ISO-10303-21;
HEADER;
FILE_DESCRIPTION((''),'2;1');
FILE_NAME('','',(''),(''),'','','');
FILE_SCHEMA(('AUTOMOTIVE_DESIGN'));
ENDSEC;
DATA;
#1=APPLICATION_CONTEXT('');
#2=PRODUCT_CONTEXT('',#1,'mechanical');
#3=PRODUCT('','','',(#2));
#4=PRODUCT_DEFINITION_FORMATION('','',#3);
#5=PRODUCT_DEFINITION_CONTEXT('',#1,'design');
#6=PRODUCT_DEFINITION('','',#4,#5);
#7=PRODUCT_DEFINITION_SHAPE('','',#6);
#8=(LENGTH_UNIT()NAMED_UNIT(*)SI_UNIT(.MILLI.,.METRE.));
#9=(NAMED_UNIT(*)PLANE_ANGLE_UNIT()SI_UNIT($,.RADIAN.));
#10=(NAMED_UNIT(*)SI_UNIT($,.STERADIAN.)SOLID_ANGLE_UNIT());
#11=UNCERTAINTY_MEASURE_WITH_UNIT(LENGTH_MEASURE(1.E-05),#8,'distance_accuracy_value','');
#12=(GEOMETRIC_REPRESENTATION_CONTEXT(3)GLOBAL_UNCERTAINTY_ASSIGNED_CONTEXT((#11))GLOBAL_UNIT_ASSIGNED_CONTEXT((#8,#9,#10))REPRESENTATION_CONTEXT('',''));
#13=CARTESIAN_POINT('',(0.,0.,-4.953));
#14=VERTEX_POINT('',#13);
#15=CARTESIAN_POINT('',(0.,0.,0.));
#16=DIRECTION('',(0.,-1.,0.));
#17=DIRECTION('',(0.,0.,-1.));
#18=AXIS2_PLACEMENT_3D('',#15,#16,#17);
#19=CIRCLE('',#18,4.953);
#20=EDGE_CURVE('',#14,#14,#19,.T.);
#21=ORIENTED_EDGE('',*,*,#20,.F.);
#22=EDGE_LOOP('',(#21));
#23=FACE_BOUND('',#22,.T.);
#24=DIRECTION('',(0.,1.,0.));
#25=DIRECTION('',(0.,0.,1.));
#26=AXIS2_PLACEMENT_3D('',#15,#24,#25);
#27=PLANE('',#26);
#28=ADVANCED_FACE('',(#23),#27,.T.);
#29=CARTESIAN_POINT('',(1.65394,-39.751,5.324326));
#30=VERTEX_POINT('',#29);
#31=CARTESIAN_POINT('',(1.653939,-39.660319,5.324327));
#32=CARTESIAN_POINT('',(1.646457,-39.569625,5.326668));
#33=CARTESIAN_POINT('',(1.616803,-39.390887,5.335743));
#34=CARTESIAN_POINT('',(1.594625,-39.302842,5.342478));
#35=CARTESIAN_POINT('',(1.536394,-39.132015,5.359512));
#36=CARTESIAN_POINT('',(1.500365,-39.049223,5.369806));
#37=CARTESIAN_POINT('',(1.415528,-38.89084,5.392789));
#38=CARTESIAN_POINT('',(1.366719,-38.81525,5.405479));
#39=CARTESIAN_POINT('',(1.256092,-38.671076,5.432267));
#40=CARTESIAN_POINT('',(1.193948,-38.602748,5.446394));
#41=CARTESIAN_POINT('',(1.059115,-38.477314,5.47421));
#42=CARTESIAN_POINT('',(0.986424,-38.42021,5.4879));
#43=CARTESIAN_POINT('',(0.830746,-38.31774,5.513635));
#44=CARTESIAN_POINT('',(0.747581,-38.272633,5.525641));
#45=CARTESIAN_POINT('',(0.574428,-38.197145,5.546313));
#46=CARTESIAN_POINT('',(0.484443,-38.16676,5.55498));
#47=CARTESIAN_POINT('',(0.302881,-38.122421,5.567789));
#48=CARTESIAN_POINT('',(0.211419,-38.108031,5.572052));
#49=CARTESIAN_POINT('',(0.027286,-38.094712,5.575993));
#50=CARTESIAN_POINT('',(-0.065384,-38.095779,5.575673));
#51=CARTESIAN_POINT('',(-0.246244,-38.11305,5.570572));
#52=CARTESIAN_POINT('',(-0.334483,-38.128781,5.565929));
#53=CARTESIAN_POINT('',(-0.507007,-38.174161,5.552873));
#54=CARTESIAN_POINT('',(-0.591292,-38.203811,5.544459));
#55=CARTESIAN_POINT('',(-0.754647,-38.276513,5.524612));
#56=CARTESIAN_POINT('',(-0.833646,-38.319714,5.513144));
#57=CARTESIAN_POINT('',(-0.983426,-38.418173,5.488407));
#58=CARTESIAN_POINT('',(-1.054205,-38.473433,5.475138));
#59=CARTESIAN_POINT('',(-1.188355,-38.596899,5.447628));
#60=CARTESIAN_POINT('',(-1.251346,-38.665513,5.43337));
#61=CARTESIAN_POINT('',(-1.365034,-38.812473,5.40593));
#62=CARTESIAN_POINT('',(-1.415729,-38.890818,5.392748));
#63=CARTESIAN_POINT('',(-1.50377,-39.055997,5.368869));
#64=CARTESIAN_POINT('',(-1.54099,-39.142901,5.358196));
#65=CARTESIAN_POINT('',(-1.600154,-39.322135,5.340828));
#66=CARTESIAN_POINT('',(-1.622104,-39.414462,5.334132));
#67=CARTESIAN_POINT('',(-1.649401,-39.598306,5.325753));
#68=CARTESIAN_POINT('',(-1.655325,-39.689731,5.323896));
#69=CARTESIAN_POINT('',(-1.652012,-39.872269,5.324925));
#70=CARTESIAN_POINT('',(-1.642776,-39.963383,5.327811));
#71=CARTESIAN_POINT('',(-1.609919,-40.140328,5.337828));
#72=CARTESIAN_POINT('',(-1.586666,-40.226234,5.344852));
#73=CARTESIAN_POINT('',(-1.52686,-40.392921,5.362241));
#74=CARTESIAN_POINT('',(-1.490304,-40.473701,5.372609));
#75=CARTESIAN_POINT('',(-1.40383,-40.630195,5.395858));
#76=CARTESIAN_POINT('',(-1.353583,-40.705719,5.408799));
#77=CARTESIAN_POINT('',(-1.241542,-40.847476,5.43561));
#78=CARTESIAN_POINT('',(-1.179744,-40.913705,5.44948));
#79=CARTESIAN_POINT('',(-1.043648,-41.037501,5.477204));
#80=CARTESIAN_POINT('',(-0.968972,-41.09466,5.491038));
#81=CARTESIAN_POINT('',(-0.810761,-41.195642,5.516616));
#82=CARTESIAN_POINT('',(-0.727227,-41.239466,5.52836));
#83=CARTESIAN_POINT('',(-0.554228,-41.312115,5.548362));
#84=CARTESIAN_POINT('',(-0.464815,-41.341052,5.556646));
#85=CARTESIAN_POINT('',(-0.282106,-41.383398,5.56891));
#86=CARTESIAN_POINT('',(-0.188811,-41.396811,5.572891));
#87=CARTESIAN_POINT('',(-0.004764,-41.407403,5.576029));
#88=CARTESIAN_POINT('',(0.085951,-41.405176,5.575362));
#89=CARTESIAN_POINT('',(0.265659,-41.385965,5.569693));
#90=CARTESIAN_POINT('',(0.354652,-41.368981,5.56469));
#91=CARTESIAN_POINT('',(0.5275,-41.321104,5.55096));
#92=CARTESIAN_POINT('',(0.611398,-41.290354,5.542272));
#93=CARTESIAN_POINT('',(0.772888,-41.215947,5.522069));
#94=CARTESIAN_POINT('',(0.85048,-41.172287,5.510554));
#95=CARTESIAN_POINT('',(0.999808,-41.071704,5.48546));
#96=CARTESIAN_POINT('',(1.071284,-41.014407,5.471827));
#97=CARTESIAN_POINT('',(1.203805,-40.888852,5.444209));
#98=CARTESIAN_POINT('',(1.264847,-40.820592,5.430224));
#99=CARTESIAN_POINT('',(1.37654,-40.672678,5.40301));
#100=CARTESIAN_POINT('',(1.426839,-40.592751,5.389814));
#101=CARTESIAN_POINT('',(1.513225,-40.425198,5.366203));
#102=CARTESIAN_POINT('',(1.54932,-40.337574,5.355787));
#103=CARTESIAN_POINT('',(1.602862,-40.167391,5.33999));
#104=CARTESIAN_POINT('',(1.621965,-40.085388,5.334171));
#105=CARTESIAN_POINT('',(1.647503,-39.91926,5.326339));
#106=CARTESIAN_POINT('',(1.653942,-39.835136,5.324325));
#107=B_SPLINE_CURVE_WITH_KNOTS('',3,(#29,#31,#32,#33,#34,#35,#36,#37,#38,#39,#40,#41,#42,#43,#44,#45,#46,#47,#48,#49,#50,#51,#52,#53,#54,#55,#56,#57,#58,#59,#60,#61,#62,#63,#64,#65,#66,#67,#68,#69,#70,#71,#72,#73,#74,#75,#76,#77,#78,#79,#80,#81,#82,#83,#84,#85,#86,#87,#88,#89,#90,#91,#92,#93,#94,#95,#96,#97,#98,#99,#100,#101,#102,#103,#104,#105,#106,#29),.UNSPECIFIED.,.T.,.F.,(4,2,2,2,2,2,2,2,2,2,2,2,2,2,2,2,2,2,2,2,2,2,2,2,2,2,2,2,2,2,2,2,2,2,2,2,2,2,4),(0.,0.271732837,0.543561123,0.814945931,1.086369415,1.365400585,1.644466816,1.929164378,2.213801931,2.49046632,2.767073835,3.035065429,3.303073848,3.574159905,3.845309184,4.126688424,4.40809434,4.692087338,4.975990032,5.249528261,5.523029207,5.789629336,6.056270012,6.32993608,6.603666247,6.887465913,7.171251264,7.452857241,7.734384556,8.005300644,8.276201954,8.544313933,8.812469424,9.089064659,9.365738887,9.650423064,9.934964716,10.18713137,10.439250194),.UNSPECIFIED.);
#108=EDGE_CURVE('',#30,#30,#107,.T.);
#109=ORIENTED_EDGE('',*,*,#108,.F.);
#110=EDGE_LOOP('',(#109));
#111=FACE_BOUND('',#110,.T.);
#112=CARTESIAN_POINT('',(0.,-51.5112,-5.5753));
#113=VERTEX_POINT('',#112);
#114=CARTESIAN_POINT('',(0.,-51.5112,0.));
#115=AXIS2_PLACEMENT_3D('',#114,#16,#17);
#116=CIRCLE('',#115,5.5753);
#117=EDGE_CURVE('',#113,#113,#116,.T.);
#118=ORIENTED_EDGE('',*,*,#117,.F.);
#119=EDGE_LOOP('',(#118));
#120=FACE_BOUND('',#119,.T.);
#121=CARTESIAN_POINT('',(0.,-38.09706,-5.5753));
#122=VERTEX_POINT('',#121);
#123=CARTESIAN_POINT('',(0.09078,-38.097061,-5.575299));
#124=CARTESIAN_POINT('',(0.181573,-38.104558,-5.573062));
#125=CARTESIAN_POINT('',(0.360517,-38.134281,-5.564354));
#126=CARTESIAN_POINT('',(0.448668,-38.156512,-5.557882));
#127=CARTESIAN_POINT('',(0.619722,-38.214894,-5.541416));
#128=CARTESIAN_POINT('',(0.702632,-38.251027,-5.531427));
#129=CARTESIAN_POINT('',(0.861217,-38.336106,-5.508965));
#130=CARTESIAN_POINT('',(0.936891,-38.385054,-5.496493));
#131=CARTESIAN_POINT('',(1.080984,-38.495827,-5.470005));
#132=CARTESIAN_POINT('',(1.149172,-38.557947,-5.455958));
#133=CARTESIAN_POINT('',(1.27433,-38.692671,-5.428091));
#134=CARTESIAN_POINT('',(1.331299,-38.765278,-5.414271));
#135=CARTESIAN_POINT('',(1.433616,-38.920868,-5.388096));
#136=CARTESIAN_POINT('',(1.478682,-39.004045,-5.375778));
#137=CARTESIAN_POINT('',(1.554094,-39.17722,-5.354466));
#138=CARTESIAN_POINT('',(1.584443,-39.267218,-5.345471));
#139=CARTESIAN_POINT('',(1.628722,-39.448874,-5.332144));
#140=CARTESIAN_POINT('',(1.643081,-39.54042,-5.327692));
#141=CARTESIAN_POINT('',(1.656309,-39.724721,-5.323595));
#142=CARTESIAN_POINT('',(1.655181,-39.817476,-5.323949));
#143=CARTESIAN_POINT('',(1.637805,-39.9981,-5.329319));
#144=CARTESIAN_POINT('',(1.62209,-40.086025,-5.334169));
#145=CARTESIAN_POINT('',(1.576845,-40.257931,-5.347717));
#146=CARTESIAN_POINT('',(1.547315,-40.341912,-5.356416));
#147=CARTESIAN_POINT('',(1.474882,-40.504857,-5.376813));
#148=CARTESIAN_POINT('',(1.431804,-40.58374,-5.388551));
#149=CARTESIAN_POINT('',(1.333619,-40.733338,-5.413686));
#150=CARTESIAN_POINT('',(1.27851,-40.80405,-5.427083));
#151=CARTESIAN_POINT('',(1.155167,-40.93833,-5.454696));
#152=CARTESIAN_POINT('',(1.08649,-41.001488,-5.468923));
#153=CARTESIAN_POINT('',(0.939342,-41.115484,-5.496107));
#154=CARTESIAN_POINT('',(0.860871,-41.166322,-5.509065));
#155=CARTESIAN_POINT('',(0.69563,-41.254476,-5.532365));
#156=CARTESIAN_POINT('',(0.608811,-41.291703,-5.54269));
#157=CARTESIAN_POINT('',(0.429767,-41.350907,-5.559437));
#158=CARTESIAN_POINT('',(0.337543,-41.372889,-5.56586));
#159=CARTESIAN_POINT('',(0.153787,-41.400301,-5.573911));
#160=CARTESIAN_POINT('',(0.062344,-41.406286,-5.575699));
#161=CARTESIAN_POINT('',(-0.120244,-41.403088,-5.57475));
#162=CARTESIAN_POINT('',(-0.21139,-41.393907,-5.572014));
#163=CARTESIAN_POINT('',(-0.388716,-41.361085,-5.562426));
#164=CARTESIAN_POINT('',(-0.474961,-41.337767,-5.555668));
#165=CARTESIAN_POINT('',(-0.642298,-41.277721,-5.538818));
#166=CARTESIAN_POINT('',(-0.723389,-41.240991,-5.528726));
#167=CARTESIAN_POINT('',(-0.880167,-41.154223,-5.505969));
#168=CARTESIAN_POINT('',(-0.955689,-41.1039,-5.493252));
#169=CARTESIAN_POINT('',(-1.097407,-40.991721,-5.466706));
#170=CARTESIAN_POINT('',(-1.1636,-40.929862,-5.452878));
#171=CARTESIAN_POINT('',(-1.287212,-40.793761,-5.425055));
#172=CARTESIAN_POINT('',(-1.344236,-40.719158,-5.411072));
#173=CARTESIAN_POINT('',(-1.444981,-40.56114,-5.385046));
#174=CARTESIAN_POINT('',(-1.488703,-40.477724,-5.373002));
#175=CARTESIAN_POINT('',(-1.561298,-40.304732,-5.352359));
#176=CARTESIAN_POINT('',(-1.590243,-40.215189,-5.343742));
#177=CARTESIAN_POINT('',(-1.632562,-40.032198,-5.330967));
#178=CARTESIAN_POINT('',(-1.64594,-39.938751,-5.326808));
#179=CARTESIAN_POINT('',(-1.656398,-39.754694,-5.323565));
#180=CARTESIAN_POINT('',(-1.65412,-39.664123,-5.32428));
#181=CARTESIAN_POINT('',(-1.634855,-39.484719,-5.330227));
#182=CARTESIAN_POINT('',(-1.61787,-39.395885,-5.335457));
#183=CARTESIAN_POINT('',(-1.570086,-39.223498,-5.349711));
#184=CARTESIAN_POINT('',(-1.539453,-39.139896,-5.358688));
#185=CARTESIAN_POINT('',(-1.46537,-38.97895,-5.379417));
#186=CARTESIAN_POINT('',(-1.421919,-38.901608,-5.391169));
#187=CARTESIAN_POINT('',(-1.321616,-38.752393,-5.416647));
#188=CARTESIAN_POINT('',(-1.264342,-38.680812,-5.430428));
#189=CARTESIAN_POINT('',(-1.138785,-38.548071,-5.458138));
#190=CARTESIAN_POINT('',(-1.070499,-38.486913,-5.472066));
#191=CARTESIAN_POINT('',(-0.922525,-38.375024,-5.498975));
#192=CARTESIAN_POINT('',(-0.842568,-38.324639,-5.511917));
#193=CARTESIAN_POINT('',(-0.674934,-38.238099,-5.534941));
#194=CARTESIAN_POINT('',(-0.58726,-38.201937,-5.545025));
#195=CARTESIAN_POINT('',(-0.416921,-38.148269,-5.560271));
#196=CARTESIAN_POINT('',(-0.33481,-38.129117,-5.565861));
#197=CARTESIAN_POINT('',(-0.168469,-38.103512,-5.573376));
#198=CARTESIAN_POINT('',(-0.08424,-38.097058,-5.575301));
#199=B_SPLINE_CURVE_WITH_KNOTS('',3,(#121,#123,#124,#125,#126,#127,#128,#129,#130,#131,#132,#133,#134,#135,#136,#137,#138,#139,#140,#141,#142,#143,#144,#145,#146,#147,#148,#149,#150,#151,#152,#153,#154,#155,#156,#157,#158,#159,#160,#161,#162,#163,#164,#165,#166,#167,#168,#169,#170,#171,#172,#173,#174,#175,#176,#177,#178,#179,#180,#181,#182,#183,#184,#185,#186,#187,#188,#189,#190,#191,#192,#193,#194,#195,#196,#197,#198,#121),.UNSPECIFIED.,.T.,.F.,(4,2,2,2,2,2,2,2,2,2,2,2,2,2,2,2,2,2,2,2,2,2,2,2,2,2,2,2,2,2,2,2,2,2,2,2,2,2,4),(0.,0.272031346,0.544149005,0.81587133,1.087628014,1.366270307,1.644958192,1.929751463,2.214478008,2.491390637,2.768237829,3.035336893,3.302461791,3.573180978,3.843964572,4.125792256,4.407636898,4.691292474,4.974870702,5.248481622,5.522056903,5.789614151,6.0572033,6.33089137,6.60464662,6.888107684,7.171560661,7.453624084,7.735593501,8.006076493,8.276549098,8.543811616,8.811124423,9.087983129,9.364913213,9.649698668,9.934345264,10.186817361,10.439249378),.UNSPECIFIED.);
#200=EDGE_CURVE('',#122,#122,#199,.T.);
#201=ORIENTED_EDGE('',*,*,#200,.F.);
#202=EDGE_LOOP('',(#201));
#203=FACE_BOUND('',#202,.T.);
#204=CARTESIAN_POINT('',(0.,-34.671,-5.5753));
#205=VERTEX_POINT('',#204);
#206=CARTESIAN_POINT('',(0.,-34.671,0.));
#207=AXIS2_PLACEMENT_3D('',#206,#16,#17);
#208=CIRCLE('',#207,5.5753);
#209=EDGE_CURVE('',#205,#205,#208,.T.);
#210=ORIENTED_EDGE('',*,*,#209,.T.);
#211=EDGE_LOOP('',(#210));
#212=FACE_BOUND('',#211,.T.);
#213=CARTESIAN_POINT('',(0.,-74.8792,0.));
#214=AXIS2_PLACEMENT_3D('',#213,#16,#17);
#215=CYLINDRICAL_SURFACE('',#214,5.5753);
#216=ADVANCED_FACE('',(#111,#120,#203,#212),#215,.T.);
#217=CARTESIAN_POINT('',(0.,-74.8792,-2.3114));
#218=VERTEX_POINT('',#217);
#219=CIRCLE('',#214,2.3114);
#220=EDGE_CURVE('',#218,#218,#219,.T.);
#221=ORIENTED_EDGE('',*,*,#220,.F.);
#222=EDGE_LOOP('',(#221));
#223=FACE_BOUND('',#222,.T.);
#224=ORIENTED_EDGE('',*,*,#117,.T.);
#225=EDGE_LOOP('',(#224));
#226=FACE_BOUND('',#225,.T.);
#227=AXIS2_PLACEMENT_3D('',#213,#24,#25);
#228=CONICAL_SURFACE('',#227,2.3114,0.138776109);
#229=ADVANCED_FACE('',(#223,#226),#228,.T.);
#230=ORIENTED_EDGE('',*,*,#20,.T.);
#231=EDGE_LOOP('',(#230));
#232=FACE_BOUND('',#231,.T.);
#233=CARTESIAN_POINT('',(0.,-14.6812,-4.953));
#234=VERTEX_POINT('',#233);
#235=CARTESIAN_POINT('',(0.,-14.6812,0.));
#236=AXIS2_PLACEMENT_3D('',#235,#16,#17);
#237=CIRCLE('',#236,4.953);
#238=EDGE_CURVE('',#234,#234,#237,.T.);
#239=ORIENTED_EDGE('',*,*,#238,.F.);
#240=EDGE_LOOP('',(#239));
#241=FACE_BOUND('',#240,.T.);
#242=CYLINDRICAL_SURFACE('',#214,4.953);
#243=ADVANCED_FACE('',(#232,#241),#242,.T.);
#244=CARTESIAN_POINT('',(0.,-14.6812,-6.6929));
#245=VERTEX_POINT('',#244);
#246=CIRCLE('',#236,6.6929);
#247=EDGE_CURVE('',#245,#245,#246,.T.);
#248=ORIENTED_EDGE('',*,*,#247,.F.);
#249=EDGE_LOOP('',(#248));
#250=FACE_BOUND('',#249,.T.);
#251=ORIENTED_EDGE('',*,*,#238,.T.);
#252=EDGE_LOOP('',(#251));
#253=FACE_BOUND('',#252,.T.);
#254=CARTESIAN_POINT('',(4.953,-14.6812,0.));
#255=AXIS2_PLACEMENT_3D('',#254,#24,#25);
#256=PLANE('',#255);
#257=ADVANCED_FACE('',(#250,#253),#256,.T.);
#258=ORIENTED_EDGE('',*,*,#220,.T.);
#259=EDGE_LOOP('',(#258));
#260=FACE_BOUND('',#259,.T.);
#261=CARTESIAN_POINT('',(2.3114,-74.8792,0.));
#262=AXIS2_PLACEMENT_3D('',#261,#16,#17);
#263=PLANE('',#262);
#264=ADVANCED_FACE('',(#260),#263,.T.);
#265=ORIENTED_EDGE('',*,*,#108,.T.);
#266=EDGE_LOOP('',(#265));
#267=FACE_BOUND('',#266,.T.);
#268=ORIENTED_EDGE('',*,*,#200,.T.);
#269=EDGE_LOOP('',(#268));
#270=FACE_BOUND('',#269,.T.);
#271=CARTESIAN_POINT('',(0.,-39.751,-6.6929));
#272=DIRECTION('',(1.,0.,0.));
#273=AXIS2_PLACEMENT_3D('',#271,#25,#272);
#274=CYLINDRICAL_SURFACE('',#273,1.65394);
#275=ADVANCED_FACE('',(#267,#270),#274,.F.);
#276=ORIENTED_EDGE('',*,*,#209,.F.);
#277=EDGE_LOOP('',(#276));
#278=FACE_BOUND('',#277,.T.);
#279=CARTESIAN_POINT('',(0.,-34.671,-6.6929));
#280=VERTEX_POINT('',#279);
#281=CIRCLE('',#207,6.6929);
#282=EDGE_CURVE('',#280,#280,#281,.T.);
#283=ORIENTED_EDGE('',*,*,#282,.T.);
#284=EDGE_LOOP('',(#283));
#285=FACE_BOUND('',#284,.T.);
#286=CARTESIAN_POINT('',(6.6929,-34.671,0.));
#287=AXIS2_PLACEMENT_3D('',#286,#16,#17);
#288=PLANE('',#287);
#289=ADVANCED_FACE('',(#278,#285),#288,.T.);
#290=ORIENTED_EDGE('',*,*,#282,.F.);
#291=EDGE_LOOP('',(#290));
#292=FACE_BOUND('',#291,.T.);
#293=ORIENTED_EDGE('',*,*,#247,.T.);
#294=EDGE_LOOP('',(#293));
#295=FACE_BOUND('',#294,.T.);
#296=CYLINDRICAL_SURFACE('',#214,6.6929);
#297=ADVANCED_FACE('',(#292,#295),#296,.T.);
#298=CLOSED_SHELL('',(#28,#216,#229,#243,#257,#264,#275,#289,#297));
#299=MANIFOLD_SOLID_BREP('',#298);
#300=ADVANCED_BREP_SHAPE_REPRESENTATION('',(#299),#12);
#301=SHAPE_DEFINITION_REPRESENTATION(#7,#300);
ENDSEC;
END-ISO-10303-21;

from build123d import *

# Parameters (mm, degrees)
CUT_EXTRUDE1_DEPTH      = 76.475058221
CUT_EXTRUDE1_DEPTH_BACK = 76.475058221
SKETCH2_R               = 1.653940434


with BuildPart() as part:
    # Sketch1 → Revolve1 (revolve)
    with BuildSketch(Plane.XY, mode=Mode.PRIVATE) as revolve1_sk:
        Polygon((0, 0), (4.953, 0), (4.953, -14.6812), (6.6929, -14.6812), (6.6929, -34.671), (5.5753, -34.671), (5.5753, -51.5112), (2.3114, -74.8792), (0, -74.8792), align=None)
    revolve(revolve1_sk.sketch.rotate(Axis((0, -74.8792, 0), (0, 1, 0)), 90), axis=Axis((0, -74.8792, 0), (0, 1, 0)))

    # Sketch2 → Cut-Extrude1 (cut, two sides: drawn at the far end of the back side and taken through both)
    with BuildSketch(Plane.XY.offset(-CUT_EXTRUDE1_DEPTH_BACK)):
        with Locations((0, -39.751)):
            Circle(SKETCH2_R)
    extrude(amount=CUT_EXTRUDE1_DEPTH + CUT_EXTRUDE1_DEPTH_BACK, mode=Mode.SUBTRACT)


solid = part.part
